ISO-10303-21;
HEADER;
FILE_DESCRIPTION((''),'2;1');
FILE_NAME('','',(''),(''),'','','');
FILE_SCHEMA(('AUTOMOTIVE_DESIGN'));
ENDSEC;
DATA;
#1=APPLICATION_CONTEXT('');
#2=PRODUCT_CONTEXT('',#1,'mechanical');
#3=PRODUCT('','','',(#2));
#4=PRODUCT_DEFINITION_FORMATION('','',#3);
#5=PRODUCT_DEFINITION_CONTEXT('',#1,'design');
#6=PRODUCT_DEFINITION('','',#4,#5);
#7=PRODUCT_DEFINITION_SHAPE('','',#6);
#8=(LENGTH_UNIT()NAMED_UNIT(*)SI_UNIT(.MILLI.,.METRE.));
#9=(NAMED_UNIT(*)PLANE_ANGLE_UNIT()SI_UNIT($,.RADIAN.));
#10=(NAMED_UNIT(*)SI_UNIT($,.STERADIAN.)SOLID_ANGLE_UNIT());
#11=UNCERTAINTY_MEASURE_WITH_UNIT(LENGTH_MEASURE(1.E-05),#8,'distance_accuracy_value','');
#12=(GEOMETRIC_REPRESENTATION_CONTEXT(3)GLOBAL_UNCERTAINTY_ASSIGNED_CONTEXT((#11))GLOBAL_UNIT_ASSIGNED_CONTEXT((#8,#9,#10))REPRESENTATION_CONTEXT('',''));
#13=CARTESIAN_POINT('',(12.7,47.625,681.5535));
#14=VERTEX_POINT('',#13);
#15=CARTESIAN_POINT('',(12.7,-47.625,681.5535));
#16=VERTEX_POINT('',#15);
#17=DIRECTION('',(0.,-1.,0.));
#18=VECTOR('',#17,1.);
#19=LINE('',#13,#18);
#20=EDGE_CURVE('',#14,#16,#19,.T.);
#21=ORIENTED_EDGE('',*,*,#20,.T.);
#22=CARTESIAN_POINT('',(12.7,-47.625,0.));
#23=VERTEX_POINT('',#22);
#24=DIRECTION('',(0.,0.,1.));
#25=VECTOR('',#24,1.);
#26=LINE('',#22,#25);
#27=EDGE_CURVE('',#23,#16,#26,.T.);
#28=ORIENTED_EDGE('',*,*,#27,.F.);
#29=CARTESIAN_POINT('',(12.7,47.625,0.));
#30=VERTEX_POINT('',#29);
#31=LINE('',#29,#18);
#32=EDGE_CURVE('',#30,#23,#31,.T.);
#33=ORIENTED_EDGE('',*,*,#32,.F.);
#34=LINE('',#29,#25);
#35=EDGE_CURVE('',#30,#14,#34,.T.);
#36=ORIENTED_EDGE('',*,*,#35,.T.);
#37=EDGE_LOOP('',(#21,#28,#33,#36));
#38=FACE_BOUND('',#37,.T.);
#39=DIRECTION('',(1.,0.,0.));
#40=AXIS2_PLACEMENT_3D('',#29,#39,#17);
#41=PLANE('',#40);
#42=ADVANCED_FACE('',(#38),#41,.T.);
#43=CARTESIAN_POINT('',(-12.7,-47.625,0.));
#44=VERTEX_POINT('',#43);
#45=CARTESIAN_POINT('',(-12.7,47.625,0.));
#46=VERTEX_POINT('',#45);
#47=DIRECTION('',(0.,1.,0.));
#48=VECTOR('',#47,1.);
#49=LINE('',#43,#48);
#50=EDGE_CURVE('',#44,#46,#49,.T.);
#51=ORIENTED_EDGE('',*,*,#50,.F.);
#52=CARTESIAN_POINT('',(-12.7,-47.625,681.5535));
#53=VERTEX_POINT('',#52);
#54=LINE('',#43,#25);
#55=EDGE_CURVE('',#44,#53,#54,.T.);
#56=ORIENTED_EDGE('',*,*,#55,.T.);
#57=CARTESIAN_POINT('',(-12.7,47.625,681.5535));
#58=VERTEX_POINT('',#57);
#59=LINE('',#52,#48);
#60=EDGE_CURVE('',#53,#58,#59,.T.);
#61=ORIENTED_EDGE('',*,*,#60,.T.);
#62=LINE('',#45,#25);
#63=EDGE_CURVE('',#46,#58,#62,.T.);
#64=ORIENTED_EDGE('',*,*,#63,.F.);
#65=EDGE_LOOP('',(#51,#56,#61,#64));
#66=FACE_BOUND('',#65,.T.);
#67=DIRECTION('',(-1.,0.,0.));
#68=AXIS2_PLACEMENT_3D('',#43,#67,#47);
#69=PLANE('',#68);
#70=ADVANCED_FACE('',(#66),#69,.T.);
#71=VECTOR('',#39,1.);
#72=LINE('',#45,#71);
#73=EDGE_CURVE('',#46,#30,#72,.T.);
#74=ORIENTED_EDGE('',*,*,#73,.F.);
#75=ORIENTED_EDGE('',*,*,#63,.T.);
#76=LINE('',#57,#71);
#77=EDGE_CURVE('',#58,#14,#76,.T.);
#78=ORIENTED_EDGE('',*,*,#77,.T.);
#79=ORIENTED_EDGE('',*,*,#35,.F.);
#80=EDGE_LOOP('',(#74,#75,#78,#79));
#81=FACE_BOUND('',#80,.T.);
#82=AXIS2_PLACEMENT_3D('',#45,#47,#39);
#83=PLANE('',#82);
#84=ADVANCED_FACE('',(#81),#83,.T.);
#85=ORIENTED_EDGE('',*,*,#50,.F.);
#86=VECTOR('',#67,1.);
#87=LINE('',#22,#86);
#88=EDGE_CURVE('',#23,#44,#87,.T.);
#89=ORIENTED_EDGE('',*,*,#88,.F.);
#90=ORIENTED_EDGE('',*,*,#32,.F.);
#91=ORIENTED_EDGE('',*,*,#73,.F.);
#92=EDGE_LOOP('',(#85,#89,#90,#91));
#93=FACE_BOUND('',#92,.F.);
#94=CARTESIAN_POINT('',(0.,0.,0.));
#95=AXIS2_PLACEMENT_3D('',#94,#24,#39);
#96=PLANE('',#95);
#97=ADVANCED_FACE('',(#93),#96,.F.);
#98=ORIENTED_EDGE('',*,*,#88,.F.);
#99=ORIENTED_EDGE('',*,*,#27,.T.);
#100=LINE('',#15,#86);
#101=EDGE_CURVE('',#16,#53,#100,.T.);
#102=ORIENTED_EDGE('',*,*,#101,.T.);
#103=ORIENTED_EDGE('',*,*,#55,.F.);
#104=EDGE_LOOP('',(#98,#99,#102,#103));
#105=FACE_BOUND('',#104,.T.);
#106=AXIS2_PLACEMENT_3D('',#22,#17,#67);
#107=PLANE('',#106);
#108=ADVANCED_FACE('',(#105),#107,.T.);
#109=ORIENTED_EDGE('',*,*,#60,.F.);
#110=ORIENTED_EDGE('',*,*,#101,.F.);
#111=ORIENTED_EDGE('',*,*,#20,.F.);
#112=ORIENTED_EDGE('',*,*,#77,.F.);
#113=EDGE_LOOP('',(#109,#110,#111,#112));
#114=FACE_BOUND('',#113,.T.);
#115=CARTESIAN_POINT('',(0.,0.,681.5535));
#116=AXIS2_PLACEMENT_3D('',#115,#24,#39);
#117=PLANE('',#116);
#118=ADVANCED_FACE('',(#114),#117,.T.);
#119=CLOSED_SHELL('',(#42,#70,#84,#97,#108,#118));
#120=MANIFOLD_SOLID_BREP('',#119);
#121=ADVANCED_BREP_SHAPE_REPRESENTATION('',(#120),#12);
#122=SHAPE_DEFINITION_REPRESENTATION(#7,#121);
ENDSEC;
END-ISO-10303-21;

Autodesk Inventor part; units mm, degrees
ref_plane "YZ Plane" through (0, 0, 0) normal (1, 0, 0) x (0, 1, 0)
ref_plane "Start Plane" through (0, 0, 0) normal (0, 0, 1) x (1, 0, 0)
ref_plane "End Plane" through (0, 0, 681.5535) normal (0, 0, 1) x (1, 0, 0)
sketch "Sketch" plane through (0, 0, 0) normal (0, 0, 1) x (1, 0, 0)
  line L0 (12.7, -47.625) -> (-12.7, -47.625)
  line L1 (-12.7, -47.625) -> (-12.7, 47.625)
  line L2 (-12.7, 47.625) -> (12.7, 47.625)
  line L3 (12.7, 47.625) -> (12.7, -47.625)
  line L4 (-6, 0) -> (8, 0) construction
  line L5 (0, -30) -> (0, 40) construction
  line L6 (0, 66.675) -> (0, -66.675) construction
  line L7 (-17.78, 0) -> (17.78, 0) construction
  dimension "d0" = 95.25
  dimension "d1" = 25.4
  dimension "d4" = 12.7
  dimension "d5" = 47.625
extrude "Body" add sketch "Sketch" along normal up to surface (681.5535 mm away) from surface at 0
sketch "Sketch3" plane through (0, 0, 0) normal (0, 0, 1) x (1, 0, 0)
  line L0 (0, 0) -> (10, 0)
ref_plane "Work Plane3" through (0, 0, 0) normal (0, -1, 0) x (1, 0, 0)
sketch "Sketch4" plane through (0, 0, 0) normal (0, -1, 0) x (1, 0, 0)
  line L0 (-2, 0) -> (12, 0) projected
  line L1 (-2, 681.5535) -> (12, 681.5535) projected
  dimension "d9" = 681.5535
equation "\"d0\" = G_W"
equation "\"d1\" = G_H"
equation "\"d4\" = 0.5 * d1"
equation "\"d5\" = 0.5 * d0"
equation "\"d2\" = G_L"
equation "\"G_W\" = 95.25"
equation "\"G_H\" = 25.4"
equation "\"G_L\" = d9"
equation "\"G_OFFSET_START\" = 0"
equation "\"G_OFFSET_END\" = 0"
equation "\"d7\" = G_OFFSET_END + B_L"
equation "\"B_L\" = 681.55352"
properties part number "AISC - 3 3/4x1 - 26.833" material "Steel, Mild"
